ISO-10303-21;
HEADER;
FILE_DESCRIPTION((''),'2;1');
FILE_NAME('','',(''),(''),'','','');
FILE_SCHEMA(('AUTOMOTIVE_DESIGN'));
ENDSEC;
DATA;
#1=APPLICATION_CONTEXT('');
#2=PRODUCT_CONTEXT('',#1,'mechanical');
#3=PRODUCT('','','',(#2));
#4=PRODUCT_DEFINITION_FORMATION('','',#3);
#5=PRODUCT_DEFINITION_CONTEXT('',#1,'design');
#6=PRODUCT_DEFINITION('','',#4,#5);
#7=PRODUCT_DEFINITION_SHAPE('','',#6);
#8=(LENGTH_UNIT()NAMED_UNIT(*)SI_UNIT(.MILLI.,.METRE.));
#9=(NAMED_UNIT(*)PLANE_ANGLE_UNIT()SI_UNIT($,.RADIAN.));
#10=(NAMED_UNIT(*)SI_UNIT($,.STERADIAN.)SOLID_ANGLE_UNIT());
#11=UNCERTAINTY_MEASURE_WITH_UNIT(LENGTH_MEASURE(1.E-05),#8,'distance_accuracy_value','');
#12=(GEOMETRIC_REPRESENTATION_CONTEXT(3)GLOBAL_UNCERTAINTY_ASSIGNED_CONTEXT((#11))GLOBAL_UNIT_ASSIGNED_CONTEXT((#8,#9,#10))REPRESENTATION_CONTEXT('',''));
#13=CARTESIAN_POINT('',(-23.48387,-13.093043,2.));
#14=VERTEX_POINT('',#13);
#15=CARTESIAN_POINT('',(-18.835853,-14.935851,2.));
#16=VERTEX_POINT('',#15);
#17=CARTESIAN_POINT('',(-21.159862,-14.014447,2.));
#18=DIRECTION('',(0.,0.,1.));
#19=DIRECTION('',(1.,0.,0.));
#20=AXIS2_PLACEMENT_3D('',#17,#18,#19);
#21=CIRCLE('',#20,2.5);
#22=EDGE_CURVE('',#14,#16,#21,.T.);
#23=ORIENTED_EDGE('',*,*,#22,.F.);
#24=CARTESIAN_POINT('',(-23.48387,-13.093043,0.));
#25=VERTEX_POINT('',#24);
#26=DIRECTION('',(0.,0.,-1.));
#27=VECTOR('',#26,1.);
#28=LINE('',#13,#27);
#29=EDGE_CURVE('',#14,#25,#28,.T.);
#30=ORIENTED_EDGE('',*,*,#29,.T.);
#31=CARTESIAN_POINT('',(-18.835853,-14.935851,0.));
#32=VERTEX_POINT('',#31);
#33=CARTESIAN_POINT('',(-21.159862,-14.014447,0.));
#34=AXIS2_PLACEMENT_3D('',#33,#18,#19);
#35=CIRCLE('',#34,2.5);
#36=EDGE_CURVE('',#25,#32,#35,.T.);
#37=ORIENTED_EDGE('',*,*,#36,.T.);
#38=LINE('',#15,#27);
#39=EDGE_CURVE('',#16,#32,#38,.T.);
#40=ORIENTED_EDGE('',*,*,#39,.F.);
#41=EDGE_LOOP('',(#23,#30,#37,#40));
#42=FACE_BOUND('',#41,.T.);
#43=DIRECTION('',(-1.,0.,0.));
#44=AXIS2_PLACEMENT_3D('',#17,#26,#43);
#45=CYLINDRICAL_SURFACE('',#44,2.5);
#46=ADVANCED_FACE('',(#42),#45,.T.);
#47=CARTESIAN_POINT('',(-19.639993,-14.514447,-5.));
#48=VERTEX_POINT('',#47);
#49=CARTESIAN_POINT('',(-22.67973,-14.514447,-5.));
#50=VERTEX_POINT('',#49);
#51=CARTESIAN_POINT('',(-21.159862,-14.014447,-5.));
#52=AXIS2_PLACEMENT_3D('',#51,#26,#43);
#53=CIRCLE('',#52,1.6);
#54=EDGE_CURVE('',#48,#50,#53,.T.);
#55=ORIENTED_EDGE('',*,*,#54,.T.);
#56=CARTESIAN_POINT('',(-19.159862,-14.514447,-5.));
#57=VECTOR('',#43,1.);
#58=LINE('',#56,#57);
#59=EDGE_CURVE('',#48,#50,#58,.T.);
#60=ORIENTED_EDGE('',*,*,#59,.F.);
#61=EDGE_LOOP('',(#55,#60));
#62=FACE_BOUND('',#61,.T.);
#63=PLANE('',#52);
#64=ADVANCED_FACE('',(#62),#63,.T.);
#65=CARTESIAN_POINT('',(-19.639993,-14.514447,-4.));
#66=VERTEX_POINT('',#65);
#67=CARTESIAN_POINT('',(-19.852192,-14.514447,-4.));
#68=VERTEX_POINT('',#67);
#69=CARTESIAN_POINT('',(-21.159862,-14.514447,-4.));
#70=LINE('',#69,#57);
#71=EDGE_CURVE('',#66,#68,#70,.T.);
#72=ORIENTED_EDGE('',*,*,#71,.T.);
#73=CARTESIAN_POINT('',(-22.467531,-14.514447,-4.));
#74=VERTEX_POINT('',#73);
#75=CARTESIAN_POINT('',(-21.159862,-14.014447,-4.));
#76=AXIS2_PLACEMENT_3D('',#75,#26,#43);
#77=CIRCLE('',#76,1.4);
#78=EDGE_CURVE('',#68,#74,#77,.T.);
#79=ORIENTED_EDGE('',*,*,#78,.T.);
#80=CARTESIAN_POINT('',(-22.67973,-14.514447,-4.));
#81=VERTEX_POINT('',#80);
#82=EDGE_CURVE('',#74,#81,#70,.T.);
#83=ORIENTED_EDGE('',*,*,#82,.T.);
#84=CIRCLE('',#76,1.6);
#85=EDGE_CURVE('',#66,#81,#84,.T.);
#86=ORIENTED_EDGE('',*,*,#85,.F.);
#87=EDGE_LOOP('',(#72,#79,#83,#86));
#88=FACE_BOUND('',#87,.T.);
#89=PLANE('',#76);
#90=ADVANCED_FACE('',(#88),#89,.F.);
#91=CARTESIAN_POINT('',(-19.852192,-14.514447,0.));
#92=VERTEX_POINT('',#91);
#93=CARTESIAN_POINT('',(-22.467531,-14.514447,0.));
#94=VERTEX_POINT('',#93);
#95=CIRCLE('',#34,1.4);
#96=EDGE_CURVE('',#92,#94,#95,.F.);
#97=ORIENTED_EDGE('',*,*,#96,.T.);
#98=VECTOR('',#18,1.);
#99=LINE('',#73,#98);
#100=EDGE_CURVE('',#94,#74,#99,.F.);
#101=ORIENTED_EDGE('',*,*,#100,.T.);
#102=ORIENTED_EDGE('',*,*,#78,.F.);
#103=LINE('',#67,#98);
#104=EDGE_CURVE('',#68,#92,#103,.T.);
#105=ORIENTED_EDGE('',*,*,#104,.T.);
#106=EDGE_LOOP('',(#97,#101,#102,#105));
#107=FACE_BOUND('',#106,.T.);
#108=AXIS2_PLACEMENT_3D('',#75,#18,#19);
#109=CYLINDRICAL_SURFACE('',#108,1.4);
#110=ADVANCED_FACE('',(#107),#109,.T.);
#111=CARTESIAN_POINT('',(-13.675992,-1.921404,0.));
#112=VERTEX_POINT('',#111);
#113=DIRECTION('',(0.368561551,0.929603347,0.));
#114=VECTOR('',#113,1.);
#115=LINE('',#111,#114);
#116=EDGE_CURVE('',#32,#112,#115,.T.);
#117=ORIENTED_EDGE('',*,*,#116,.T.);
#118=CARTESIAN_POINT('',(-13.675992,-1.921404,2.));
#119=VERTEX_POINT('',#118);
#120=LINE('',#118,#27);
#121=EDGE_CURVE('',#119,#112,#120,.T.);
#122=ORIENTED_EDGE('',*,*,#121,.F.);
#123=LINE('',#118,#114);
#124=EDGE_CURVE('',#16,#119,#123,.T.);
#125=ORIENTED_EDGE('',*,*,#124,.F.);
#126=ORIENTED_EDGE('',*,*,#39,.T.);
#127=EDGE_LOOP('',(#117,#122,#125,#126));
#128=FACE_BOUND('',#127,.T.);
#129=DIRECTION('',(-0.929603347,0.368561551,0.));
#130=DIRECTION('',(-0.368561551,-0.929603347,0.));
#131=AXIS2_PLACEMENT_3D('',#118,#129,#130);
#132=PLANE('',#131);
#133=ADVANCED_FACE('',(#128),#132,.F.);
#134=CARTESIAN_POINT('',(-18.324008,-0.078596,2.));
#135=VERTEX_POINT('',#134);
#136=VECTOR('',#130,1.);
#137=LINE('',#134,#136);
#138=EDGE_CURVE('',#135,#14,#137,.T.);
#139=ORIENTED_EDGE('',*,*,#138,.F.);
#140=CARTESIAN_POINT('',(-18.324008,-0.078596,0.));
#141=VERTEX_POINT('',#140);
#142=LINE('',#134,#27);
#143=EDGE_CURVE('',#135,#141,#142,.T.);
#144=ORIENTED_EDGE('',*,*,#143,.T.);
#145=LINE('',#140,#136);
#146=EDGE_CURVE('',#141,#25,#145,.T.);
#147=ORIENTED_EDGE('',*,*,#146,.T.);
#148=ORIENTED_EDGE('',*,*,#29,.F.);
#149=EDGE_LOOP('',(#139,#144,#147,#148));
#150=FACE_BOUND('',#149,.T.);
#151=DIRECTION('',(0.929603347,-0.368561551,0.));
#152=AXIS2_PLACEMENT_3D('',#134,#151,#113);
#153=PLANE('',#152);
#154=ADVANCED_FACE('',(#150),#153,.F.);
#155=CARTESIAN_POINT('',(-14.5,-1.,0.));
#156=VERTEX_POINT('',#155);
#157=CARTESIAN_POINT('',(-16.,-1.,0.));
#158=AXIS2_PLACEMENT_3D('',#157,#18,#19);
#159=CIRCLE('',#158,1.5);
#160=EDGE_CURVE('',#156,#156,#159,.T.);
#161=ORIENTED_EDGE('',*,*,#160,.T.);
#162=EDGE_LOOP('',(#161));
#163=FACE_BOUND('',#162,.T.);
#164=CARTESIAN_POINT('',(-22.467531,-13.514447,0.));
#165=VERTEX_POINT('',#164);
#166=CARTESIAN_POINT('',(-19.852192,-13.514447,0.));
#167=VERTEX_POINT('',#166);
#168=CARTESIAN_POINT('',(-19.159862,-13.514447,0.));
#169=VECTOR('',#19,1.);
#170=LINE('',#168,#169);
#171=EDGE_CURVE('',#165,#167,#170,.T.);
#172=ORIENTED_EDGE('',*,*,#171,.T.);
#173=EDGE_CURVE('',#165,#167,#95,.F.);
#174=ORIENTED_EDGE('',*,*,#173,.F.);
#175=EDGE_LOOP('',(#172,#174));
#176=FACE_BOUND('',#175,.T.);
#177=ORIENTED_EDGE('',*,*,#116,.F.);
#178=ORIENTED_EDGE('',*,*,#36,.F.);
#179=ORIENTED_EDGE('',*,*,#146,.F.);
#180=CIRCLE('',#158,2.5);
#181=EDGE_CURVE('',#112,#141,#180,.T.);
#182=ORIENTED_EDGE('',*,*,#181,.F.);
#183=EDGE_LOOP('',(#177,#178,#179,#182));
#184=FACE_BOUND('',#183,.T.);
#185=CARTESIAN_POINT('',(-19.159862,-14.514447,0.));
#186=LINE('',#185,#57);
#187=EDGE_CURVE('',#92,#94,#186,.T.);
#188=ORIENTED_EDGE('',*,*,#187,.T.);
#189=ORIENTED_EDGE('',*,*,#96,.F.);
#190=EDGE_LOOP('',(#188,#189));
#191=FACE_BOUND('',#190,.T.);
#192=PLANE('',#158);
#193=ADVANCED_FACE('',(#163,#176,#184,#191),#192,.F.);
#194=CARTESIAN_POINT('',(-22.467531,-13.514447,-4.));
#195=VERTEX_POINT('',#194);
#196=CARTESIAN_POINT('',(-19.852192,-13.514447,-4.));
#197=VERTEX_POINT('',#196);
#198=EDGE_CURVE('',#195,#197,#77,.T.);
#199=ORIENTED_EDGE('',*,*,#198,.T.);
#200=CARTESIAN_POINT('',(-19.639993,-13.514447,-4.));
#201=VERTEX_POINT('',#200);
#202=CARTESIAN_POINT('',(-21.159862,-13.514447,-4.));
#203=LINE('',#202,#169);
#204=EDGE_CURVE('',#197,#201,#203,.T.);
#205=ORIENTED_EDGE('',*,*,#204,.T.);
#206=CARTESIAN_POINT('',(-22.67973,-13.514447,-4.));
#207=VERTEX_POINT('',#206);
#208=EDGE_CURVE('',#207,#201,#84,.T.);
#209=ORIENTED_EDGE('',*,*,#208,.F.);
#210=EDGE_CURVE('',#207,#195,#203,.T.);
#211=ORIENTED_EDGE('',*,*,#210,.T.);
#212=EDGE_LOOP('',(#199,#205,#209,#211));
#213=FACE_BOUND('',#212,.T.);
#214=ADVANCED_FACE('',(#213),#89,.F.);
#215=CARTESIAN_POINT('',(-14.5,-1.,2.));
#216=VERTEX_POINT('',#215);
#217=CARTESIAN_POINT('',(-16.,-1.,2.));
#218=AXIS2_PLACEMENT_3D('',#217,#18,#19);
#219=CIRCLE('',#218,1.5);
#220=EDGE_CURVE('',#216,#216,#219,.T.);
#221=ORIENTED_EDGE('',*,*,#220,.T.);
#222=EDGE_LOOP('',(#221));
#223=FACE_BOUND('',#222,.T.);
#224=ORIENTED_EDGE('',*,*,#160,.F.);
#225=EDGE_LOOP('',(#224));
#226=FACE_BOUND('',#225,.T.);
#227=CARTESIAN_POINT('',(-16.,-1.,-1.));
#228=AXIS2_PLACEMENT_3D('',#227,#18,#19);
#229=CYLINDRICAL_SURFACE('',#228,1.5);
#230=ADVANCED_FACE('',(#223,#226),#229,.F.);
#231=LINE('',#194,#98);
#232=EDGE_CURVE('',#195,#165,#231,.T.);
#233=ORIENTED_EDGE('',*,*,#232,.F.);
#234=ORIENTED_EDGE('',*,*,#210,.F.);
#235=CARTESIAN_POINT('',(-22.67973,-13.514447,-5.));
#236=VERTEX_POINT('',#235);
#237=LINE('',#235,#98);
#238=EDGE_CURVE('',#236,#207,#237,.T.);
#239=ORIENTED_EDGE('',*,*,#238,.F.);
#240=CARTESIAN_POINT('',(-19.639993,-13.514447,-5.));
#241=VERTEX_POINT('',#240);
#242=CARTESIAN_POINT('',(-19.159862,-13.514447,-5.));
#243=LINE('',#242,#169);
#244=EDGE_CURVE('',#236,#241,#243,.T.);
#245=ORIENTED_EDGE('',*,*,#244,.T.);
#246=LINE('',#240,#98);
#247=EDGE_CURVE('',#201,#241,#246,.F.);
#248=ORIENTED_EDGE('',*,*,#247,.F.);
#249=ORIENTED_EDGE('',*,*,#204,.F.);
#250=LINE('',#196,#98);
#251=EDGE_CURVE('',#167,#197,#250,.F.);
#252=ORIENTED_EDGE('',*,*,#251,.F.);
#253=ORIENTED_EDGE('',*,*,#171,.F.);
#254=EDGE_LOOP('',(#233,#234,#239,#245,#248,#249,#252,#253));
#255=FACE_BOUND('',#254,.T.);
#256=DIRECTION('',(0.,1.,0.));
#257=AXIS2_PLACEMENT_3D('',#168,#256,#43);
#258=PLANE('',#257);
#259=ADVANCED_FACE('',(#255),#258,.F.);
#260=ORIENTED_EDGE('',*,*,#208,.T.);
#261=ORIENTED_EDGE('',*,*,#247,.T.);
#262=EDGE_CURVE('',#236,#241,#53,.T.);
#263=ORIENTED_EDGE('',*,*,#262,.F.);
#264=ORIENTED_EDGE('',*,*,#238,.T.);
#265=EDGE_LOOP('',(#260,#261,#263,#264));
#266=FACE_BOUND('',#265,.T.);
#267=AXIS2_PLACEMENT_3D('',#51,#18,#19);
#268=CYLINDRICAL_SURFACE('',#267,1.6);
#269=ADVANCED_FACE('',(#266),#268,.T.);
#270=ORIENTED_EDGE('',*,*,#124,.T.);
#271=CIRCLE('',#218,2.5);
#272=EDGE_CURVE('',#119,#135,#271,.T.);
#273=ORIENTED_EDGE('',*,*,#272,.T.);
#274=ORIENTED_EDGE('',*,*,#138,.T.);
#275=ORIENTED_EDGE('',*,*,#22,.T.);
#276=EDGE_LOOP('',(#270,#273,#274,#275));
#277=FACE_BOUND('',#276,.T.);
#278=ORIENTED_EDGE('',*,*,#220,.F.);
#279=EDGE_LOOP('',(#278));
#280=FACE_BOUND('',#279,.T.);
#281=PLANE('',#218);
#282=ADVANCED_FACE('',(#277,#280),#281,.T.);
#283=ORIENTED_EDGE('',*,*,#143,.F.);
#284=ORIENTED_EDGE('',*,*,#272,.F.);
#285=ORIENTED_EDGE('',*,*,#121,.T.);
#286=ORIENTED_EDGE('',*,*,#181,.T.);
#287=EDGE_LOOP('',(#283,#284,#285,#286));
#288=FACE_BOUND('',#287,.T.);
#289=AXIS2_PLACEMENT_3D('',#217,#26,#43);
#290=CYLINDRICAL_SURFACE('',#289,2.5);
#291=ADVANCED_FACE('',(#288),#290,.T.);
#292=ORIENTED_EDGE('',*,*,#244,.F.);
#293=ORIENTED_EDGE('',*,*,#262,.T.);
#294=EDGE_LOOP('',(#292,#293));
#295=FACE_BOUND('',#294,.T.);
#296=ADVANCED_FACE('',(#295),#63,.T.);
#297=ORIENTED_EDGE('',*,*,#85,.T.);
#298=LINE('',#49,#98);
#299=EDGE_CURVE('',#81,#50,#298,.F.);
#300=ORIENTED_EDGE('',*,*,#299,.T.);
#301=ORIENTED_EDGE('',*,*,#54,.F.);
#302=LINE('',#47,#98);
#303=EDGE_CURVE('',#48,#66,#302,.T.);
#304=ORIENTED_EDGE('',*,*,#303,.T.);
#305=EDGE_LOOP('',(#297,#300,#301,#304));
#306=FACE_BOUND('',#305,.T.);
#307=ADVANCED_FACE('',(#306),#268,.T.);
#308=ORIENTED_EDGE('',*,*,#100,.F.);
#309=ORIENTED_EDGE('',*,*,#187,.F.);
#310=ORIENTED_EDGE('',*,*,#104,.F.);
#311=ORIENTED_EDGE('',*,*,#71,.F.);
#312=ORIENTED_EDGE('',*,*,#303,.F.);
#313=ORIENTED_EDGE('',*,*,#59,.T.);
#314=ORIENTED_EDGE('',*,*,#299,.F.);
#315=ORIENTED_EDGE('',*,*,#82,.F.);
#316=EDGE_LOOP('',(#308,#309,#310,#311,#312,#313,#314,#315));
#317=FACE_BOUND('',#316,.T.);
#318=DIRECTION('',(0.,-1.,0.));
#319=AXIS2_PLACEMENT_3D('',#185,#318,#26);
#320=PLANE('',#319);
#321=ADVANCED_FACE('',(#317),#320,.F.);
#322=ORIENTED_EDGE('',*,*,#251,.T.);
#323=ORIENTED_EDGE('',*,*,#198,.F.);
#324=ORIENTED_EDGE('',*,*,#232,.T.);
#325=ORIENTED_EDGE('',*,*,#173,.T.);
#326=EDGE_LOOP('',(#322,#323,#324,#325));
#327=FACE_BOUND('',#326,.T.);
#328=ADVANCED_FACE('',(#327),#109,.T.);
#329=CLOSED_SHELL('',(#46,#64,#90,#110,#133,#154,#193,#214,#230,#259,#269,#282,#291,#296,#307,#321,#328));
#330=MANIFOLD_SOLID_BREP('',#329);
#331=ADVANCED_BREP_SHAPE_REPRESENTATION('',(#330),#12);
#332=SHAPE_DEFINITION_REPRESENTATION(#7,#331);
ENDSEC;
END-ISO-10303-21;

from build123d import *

# Parameters (mm, degrees)
BOSS_EXTRU_1_DEPTH      = 2
ESQUISSE2_R             = 1.5
ENL_V_MAT_EXTRU_1_DEPTH = 3
ESQUISSE3_R             = 1.4
BOSS_EXTRU_2_DEPTH      = 4
ESQUISSE4_R             = 1.6
BOSS_EXTRU_3_DEPTH      = 1
ESQUISSE5_W             = 4
ESQUISSE5_H             = 1
ENL_V_MAT_EXTRU_2_DEPTH = 5


with BuildPart() as part:
    # Esquisse1 → Boss.-Extru.1 (new body)
    with BuildSketch(Plane.XY):
        with BuildLine():
            Line((-13.675991632, -1.921403878), (-18.835853347, -14.935850738))
            ThreePointArc((-18.835853347, -14.935850738), (-22.081265593, -16.338455228), (-23.483870083, -13.093042983))
            Line((-23.483870083, -13.093042983), (-18.324008368, -0.078596122))
            ThreePointArc((-18.324008368, -0.078596122), (-15.078596122, 1.324008368), (-13.675991632, -1.921403878))
        make_face()
    extrude(amount=BOSS_EXTRU_1_DEPTH)

    # Esquisse2 → Enlèv. mat.-Extru.1 (cut)
    with BuildSketch(Plane.XY.offset(2)):
        with Locations((-16, -1)):
            Circle(ESQUISSE2_R)
    extrude(amount=-ENL_V_MAT_EXTRU_1_DEPTH, mode=Mode.SUBTRACT)

    # Esquisse3 → Boss.-Extru.2 (add)
    with BuildSketch(Plane(origin=(0, 0, 0), x_dir=(-1, 0, 0), z_dir=(0, 0, -1))):
        with Locations(Location((21.159861715, -14.01444686, 0), (0, 0, 180))):
            Circle(ESQUISSE3_R)
    extrude(amount=BOSS_EXTRU_2_DEPTH)

    # Esquisse4 → Boss.-Extru.3 (add)
    with BuildSketch(Plane(origin=(0, 0, -4), x_dir=(-1, 0, 0), z_dir=(0, 0, -1))):
        with Locations((21.159861715, -14.01444686)):
            Circle(ESQUISSE4_R)
    extrude(amount=BOSS_EXTRU_3_DEPTH)

    # Esquisse5 → Enlèv. mat.-Extru.2 (cut)
    with BuildSketch(Plane(origin=(0, 0, -5), x_dir=(-1, 0, 0), z_dir=(0, 0, -1))):
        with Locations((21.159861715, -14.01444686)):
            Rectangle(ESQUISSE5_W, ESQUISSE5_H)
    extrude(amount=-ENL_V_MAT_EXTRU_2_DEPTH, mode=Mode.SUBTRACT)


solid = part.part
